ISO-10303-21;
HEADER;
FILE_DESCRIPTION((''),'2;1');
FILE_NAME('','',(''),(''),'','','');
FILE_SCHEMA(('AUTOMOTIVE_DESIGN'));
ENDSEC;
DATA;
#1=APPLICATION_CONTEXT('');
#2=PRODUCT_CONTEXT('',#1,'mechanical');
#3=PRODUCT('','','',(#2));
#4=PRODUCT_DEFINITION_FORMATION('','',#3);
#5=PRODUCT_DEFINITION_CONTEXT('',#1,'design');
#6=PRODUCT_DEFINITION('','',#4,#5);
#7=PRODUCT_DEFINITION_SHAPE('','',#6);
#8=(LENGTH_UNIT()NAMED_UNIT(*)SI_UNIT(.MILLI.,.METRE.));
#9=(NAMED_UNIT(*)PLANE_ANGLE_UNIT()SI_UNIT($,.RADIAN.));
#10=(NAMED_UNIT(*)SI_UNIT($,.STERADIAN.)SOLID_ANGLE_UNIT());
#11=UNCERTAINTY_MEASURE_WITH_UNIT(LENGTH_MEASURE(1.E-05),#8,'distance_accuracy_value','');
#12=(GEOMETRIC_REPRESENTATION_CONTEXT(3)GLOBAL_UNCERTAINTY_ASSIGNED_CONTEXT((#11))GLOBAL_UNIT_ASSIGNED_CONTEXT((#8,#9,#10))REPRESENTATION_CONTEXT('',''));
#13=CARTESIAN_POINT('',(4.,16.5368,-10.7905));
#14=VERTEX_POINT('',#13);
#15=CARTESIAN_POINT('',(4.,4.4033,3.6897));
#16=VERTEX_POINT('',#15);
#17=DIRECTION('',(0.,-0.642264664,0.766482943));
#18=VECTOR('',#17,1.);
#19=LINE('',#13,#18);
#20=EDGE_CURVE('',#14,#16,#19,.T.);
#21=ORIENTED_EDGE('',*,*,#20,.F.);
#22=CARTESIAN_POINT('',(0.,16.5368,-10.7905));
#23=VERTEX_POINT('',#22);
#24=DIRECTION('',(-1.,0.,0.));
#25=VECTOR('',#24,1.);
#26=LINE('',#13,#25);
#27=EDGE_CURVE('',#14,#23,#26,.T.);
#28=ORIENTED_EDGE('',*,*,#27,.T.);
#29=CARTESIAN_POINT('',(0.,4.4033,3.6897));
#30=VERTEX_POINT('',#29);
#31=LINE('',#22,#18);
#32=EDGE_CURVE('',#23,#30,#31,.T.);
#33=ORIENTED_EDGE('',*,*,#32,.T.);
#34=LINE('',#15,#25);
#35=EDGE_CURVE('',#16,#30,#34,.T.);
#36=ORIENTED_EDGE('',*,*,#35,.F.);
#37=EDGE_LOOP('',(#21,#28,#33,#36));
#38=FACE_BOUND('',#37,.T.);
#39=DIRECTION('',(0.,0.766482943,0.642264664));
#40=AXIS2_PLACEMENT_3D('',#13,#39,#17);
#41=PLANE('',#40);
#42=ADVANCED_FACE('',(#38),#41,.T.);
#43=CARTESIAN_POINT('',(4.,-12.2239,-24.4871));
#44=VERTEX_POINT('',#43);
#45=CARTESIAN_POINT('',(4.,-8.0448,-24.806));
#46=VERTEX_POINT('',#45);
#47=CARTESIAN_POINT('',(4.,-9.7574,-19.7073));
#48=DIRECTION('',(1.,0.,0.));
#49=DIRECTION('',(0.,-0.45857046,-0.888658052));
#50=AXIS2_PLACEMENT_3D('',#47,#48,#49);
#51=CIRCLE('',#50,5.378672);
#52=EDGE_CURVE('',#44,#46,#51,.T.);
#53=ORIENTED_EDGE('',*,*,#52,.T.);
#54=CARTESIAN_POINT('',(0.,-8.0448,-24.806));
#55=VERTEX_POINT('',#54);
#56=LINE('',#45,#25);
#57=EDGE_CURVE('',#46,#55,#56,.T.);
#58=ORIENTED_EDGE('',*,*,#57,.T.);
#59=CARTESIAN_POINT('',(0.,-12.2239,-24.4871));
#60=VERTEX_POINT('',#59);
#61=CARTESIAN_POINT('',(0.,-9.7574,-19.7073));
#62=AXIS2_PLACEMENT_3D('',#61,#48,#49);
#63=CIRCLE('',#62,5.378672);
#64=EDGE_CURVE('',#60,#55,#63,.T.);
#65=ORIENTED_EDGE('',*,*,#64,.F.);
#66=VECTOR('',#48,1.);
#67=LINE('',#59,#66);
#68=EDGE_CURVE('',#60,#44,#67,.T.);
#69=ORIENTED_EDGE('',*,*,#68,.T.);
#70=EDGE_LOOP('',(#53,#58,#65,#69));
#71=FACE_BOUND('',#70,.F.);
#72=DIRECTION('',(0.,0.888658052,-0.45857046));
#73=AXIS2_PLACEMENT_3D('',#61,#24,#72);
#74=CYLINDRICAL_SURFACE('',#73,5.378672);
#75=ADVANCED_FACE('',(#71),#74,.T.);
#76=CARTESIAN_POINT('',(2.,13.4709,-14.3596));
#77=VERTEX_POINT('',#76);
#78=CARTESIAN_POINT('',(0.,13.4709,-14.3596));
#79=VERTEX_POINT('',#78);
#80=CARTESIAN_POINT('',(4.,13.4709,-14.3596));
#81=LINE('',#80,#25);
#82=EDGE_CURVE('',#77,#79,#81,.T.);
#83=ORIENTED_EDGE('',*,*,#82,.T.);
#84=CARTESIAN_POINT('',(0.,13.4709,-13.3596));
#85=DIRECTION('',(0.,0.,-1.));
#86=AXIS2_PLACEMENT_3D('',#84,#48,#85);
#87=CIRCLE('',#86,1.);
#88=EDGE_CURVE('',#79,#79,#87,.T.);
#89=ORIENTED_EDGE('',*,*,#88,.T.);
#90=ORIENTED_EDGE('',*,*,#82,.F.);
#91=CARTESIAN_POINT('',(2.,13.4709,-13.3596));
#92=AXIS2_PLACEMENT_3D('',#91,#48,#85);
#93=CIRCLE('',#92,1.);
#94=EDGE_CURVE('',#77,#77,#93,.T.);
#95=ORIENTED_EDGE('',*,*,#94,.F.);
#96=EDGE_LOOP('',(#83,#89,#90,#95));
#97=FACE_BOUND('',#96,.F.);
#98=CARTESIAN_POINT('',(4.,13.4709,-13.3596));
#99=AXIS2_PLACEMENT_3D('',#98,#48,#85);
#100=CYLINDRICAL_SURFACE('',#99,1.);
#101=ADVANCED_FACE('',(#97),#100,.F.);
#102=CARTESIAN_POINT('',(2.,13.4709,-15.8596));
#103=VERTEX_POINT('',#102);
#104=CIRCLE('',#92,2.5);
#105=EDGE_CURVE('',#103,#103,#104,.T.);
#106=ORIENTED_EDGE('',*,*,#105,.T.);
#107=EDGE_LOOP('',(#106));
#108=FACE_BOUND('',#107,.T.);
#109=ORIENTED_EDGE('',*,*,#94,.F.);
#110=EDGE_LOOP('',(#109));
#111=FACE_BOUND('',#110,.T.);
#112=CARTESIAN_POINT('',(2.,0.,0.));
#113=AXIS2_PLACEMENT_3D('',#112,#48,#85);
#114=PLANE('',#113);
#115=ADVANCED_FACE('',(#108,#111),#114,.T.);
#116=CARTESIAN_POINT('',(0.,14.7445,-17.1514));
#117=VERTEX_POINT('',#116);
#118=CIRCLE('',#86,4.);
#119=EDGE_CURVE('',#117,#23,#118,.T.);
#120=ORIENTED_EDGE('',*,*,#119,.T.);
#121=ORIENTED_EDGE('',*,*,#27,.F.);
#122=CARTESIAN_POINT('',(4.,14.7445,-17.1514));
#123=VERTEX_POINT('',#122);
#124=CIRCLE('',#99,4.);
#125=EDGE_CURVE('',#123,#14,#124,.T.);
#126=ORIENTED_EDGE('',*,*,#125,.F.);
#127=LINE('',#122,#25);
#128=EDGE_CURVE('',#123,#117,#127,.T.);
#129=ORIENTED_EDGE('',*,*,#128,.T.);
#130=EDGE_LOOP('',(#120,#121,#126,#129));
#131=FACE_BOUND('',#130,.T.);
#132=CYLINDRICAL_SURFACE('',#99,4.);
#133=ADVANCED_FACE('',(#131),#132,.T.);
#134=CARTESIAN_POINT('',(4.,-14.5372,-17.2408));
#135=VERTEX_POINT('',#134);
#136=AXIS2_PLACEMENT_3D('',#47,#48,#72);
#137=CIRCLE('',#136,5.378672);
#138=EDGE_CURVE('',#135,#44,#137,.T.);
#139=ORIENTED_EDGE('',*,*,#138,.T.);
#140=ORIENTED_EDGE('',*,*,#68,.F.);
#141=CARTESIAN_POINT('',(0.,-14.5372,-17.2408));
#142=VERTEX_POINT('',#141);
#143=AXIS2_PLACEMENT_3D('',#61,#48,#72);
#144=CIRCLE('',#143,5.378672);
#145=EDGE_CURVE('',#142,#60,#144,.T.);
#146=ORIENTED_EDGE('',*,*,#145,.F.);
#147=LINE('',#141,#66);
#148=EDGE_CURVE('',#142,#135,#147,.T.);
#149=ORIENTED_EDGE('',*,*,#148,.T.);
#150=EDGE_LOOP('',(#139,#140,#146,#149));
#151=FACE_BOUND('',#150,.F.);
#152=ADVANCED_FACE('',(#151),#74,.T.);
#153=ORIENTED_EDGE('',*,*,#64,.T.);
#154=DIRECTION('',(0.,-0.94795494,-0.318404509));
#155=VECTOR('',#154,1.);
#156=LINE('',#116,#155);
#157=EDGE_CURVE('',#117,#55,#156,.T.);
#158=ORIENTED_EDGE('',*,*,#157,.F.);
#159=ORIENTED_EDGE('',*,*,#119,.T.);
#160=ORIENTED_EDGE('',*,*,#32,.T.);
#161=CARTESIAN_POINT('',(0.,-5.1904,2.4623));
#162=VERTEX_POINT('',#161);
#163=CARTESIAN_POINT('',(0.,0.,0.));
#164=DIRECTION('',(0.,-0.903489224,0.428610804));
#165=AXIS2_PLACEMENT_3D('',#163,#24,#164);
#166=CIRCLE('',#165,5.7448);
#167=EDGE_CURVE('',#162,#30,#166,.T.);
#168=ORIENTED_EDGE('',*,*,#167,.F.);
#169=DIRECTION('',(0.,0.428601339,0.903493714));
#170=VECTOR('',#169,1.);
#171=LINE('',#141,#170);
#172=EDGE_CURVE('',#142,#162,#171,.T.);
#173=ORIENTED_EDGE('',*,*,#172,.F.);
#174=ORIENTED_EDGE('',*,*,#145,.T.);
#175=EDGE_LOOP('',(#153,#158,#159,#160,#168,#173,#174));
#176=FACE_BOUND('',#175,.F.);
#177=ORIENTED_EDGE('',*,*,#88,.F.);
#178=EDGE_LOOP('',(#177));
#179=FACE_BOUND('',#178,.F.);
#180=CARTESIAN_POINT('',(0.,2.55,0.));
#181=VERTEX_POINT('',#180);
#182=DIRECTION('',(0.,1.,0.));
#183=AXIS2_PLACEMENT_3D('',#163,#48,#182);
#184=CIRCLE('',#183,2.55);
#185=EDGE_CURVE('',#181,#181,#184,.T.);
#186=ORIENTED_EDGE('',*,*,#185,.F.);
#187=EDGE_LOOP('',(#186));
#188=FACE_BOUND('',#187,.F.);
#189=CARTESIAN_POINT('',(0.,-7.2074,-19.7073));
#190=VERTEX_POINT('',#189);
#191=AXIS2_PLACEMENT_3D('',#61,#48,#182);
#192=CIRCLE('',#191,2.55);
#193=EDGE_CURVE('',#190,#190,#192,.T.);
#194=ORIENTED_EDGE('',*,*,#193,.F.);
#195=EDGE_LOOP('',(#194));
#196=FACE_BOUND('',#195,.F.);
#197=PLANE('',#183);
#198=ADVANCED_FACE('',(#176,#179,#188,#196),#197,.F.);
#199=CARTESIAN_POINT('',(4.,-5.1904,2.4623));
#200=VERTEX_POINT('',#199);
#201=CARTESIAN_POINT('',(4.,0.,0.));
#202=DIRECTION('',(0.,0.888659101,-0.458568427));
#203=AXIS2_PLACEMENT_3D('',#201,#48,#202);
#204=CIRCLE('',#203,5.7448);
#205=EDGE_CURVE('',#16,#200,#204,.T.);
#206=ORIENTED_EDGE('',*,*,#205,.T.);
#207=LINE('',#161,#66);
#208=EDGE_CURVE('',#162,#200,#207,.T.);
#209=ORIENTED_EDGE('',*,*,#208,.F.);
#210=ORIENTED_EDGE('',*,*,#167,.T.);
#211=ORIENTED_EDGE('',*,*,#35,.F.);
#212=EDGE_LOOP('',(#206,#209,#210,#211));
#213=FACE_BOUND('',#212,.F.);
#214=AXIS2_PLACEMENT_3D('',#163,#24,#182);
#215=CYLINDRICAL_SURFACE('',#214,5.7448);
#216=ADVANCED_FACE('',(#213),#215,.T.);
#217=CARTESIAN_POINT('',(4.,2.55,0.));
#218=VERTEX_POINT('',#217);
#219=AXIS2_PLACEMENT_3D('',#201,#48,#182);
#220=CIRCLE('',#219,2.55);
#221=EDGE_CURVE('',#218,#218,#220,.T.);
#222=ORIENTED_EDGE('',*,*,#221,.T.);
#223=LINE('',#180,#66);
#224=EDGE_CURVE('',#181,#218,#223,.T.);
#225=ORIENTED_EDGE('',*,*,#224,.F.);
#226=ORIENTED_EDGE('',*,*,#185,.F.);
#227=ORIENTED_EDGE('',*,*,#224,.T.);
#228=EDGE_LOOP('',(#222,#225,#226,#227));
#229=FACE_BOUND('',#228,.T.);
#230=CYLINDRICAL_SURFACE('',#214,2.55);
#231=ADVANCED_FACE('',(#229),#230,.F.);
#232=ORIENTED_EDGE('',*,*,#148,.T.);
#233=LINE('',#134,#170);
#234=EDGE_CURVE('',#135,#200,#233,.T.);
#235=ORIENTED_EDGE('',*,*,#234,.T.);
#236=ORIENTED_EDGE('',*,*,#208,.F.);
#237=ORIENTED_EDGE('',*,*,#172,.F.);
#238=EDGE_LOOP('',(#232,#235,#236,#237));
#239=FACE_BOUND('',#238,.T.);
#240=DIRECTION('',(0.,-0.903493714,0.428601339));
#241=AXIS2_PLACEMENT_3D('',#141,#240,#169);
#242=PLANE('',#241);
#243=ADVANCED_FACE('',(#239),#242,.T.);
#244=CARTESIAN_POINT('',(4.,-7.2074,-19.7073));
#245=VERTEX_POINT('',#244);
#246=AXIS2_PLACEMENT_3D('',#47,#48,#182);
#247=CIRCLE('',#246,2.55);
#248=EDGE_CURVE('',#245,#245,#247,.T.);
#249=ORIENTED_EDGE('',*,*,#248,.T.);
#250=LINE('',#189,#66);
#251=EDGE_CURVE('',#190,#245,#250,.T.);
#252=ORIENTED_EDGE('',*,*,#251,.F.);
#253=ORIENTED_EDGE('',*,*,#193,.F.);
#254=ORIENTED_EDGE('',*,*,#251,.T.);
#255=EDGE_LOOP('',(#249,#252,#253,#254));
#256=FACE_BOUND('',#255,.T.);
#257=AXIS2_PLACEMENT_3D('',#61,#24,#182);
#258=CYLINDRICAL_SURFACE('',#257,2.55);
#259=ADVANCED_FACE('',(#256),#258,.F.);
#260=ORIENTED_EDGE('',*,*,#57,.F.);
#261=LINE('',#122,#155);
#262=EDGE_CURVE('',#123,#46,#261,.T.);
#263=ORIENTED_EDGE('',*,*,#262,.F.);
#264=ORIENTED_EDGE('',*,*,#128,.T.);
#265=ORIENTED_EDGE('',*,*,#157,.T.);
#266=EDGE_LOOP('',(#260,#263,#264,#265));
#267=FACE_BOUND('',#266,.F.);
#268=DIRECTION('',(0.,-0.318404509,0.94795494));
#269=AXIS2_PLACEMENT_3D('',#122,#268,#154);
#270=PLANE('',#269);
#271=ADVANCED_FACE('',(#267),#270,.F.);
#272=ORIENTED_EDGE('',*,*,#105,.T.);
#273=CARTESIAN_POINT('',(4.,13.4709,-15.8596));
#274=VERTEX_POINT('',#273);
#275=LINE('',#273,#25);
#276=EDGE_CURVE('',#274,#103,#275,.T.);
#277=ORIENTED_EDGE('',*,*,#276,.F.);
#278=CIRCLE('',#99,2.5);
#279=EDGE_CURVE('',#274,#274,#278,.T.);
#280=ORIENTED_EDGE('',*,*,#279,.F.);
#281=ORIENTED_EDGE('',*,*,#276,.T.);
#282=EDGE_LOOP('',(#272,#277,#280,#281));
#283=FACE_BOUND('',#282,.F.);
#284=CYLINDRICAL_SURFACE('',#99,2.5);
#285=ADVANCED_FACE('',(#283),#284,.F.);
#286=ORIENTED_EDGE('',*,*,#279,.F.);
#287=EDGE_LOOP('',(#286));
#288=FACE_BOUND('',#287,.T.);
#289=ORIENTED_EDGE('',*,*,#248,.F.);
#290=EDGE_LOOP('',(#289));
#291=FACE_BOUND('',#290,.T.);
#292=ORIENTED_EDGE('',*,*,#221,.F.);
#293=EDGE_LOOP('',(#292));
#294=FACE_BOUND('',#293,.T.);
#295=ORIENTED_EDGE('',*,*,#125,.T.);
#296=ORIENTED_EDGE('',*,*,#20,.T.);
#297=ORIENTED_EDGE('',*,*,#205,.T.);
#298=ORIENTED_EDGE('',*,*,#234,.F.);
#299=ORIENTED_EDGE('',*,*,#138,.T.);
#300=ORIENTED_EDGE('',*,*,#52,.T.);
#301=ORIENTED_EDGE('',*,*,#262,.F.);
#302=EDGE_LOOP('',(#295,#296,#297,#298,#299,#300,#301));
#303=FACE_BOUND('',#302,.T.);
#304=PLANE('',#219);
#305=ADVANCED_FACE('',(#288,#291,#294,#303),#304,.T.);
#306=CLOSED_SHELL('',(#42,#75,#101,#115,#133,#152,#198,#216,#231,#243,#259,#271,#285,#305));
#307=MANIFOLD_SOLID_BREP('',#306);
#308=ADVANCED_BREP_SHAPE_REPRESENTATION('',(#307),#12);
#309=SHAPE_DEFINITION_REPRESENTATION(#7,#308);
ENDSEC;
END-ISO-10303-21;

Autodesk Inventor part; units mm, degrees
ref_plane "YZ Plane" through (0, 0, 0) normal (1, 0, 0) x (0, 1, 0)
ref_plane "XZ Plane" through (0, 0, 0) normal (0, 1, 0) x (-1, 0, 0)
ref_plane "XY Plane" through (0, 0, 0) normal (0, 0, 1) x (1, 0, 0)
sketch "Sketch1" plane through (0, 0, 0) normal (1, 0, 0) x (0, 1, 0)
  circle A0 centre (-9.7574, -19.7073) radius 1.55 construction
  circle A1 centre (0, 0) radius 1.55 construction
  circle A2 centre (-9.7574, -19.7073) radius 2.55
  circle A3 centre (0, 0) radius 2.55
  line L0 (-6.0684, -24.2876) -> (12.7398, 12.1607) construction
  arc A4 (-12.2239, -24.4871) -> (-4.9776, -22.1738) centre (-9.7574, -19.7073) ccw
  circle A5 centre (0, 0) radius 5.7448
  line L1 (-4.9776, -22.1738) -> (5.1052, -2.6344)
  arc A6 (-4.9776, -22.1738) -> (-12.2239, -24.4871) centre (-9.7574, -19.7073) ccw
  line L2 (-14.5372, -17.2408) -> (-5.1904, 2.4623)
  line L3 (0, 0) -> (0, -27.0135) construction
  line L4 (0, 0) -> (-9.7574, -19.7073) construction
  point P0 (-10.1101, -25.5779)
  dimension "d0" = 5.1
  dimension "d1" = 5.1
  dimension "d3" = 11.4897
  dimension "d4" = 5.3787
  dimension "d5" = 21.8076
  dimension "d6" = 21.9875
extrude "Extrusion1" add sketch "Sketch1" along normal blind 4
sketch "Sketch2" plane through (4, 0, 0) normal (1, 0, 0) x (0, 0, -1)
  arc A0 (17.2408, -14.5372) -> (22.1738, -4.9776) centre (19.7073, -9.7574) ccw projected
  line L0 (22.1738, -4.9776) -> (2.6344, 5.1052) projected
  arc A1 (2.6344, 5.1052) -> (-2.4623, -5.1904) centre (0, 0) ccw projected
  line L1 (-2.4623, -5.1904) -> (17.2408, -14.5372) construction
  circle A2 centre (19.7073, -9.7574) radius 2.55 construction
  circle A3 centre (0, 0) radius 2.55 construction
  circle A4 centre (19.7073, -9.7574) radius 2.55 construction
  line L2 (-0.0042, 0.0021) -> (19.7073, -9.7574) construction
  circle A5 centre (13.3596, 13.4709) radius 1
  circle A6 centre (13.3596, 13.4709) radius 4
  line L3 (10.7905, 16.5368) -> (-3.6897, 4.4033)
  arc A7 (2.6344, 5.1052) -> (-2.4623, -5.1904) centre (0, 0) ccw projected
  line L4 (17.1514, 14.7445) -> (24.806, -8.0448)
  line L5 (-12.5084, -12.3162) -> (6.9664, 27.0174)
  point P0 (-3.6897, 4.4033)
  dimension "d11" = 2
  dimension "d12" = 8
  dimension "d20" = 18
  dimension "d21" = 11.7401
extrude "Extrusion2" add sketch "Sketch2" against normal up to surface (4 mm away)
sketch "Sketch3" plane through (4, 0, 0) normal (1, 0, 0) x (0, 0, -1)
  circle A0 centre (13.3596, 13.4709) radius 1 projected
  circle A1 centre (13.3596, 13.4709) radius 2.5
  point P0 (0, 0)
  dimension "d15" = 5
extrude "Extrusion3" cut sketch "Sketch3" against normal blind 2
properties part number "Kauri modular camera mount nano cam" material "Brass, Soft Yellow"
